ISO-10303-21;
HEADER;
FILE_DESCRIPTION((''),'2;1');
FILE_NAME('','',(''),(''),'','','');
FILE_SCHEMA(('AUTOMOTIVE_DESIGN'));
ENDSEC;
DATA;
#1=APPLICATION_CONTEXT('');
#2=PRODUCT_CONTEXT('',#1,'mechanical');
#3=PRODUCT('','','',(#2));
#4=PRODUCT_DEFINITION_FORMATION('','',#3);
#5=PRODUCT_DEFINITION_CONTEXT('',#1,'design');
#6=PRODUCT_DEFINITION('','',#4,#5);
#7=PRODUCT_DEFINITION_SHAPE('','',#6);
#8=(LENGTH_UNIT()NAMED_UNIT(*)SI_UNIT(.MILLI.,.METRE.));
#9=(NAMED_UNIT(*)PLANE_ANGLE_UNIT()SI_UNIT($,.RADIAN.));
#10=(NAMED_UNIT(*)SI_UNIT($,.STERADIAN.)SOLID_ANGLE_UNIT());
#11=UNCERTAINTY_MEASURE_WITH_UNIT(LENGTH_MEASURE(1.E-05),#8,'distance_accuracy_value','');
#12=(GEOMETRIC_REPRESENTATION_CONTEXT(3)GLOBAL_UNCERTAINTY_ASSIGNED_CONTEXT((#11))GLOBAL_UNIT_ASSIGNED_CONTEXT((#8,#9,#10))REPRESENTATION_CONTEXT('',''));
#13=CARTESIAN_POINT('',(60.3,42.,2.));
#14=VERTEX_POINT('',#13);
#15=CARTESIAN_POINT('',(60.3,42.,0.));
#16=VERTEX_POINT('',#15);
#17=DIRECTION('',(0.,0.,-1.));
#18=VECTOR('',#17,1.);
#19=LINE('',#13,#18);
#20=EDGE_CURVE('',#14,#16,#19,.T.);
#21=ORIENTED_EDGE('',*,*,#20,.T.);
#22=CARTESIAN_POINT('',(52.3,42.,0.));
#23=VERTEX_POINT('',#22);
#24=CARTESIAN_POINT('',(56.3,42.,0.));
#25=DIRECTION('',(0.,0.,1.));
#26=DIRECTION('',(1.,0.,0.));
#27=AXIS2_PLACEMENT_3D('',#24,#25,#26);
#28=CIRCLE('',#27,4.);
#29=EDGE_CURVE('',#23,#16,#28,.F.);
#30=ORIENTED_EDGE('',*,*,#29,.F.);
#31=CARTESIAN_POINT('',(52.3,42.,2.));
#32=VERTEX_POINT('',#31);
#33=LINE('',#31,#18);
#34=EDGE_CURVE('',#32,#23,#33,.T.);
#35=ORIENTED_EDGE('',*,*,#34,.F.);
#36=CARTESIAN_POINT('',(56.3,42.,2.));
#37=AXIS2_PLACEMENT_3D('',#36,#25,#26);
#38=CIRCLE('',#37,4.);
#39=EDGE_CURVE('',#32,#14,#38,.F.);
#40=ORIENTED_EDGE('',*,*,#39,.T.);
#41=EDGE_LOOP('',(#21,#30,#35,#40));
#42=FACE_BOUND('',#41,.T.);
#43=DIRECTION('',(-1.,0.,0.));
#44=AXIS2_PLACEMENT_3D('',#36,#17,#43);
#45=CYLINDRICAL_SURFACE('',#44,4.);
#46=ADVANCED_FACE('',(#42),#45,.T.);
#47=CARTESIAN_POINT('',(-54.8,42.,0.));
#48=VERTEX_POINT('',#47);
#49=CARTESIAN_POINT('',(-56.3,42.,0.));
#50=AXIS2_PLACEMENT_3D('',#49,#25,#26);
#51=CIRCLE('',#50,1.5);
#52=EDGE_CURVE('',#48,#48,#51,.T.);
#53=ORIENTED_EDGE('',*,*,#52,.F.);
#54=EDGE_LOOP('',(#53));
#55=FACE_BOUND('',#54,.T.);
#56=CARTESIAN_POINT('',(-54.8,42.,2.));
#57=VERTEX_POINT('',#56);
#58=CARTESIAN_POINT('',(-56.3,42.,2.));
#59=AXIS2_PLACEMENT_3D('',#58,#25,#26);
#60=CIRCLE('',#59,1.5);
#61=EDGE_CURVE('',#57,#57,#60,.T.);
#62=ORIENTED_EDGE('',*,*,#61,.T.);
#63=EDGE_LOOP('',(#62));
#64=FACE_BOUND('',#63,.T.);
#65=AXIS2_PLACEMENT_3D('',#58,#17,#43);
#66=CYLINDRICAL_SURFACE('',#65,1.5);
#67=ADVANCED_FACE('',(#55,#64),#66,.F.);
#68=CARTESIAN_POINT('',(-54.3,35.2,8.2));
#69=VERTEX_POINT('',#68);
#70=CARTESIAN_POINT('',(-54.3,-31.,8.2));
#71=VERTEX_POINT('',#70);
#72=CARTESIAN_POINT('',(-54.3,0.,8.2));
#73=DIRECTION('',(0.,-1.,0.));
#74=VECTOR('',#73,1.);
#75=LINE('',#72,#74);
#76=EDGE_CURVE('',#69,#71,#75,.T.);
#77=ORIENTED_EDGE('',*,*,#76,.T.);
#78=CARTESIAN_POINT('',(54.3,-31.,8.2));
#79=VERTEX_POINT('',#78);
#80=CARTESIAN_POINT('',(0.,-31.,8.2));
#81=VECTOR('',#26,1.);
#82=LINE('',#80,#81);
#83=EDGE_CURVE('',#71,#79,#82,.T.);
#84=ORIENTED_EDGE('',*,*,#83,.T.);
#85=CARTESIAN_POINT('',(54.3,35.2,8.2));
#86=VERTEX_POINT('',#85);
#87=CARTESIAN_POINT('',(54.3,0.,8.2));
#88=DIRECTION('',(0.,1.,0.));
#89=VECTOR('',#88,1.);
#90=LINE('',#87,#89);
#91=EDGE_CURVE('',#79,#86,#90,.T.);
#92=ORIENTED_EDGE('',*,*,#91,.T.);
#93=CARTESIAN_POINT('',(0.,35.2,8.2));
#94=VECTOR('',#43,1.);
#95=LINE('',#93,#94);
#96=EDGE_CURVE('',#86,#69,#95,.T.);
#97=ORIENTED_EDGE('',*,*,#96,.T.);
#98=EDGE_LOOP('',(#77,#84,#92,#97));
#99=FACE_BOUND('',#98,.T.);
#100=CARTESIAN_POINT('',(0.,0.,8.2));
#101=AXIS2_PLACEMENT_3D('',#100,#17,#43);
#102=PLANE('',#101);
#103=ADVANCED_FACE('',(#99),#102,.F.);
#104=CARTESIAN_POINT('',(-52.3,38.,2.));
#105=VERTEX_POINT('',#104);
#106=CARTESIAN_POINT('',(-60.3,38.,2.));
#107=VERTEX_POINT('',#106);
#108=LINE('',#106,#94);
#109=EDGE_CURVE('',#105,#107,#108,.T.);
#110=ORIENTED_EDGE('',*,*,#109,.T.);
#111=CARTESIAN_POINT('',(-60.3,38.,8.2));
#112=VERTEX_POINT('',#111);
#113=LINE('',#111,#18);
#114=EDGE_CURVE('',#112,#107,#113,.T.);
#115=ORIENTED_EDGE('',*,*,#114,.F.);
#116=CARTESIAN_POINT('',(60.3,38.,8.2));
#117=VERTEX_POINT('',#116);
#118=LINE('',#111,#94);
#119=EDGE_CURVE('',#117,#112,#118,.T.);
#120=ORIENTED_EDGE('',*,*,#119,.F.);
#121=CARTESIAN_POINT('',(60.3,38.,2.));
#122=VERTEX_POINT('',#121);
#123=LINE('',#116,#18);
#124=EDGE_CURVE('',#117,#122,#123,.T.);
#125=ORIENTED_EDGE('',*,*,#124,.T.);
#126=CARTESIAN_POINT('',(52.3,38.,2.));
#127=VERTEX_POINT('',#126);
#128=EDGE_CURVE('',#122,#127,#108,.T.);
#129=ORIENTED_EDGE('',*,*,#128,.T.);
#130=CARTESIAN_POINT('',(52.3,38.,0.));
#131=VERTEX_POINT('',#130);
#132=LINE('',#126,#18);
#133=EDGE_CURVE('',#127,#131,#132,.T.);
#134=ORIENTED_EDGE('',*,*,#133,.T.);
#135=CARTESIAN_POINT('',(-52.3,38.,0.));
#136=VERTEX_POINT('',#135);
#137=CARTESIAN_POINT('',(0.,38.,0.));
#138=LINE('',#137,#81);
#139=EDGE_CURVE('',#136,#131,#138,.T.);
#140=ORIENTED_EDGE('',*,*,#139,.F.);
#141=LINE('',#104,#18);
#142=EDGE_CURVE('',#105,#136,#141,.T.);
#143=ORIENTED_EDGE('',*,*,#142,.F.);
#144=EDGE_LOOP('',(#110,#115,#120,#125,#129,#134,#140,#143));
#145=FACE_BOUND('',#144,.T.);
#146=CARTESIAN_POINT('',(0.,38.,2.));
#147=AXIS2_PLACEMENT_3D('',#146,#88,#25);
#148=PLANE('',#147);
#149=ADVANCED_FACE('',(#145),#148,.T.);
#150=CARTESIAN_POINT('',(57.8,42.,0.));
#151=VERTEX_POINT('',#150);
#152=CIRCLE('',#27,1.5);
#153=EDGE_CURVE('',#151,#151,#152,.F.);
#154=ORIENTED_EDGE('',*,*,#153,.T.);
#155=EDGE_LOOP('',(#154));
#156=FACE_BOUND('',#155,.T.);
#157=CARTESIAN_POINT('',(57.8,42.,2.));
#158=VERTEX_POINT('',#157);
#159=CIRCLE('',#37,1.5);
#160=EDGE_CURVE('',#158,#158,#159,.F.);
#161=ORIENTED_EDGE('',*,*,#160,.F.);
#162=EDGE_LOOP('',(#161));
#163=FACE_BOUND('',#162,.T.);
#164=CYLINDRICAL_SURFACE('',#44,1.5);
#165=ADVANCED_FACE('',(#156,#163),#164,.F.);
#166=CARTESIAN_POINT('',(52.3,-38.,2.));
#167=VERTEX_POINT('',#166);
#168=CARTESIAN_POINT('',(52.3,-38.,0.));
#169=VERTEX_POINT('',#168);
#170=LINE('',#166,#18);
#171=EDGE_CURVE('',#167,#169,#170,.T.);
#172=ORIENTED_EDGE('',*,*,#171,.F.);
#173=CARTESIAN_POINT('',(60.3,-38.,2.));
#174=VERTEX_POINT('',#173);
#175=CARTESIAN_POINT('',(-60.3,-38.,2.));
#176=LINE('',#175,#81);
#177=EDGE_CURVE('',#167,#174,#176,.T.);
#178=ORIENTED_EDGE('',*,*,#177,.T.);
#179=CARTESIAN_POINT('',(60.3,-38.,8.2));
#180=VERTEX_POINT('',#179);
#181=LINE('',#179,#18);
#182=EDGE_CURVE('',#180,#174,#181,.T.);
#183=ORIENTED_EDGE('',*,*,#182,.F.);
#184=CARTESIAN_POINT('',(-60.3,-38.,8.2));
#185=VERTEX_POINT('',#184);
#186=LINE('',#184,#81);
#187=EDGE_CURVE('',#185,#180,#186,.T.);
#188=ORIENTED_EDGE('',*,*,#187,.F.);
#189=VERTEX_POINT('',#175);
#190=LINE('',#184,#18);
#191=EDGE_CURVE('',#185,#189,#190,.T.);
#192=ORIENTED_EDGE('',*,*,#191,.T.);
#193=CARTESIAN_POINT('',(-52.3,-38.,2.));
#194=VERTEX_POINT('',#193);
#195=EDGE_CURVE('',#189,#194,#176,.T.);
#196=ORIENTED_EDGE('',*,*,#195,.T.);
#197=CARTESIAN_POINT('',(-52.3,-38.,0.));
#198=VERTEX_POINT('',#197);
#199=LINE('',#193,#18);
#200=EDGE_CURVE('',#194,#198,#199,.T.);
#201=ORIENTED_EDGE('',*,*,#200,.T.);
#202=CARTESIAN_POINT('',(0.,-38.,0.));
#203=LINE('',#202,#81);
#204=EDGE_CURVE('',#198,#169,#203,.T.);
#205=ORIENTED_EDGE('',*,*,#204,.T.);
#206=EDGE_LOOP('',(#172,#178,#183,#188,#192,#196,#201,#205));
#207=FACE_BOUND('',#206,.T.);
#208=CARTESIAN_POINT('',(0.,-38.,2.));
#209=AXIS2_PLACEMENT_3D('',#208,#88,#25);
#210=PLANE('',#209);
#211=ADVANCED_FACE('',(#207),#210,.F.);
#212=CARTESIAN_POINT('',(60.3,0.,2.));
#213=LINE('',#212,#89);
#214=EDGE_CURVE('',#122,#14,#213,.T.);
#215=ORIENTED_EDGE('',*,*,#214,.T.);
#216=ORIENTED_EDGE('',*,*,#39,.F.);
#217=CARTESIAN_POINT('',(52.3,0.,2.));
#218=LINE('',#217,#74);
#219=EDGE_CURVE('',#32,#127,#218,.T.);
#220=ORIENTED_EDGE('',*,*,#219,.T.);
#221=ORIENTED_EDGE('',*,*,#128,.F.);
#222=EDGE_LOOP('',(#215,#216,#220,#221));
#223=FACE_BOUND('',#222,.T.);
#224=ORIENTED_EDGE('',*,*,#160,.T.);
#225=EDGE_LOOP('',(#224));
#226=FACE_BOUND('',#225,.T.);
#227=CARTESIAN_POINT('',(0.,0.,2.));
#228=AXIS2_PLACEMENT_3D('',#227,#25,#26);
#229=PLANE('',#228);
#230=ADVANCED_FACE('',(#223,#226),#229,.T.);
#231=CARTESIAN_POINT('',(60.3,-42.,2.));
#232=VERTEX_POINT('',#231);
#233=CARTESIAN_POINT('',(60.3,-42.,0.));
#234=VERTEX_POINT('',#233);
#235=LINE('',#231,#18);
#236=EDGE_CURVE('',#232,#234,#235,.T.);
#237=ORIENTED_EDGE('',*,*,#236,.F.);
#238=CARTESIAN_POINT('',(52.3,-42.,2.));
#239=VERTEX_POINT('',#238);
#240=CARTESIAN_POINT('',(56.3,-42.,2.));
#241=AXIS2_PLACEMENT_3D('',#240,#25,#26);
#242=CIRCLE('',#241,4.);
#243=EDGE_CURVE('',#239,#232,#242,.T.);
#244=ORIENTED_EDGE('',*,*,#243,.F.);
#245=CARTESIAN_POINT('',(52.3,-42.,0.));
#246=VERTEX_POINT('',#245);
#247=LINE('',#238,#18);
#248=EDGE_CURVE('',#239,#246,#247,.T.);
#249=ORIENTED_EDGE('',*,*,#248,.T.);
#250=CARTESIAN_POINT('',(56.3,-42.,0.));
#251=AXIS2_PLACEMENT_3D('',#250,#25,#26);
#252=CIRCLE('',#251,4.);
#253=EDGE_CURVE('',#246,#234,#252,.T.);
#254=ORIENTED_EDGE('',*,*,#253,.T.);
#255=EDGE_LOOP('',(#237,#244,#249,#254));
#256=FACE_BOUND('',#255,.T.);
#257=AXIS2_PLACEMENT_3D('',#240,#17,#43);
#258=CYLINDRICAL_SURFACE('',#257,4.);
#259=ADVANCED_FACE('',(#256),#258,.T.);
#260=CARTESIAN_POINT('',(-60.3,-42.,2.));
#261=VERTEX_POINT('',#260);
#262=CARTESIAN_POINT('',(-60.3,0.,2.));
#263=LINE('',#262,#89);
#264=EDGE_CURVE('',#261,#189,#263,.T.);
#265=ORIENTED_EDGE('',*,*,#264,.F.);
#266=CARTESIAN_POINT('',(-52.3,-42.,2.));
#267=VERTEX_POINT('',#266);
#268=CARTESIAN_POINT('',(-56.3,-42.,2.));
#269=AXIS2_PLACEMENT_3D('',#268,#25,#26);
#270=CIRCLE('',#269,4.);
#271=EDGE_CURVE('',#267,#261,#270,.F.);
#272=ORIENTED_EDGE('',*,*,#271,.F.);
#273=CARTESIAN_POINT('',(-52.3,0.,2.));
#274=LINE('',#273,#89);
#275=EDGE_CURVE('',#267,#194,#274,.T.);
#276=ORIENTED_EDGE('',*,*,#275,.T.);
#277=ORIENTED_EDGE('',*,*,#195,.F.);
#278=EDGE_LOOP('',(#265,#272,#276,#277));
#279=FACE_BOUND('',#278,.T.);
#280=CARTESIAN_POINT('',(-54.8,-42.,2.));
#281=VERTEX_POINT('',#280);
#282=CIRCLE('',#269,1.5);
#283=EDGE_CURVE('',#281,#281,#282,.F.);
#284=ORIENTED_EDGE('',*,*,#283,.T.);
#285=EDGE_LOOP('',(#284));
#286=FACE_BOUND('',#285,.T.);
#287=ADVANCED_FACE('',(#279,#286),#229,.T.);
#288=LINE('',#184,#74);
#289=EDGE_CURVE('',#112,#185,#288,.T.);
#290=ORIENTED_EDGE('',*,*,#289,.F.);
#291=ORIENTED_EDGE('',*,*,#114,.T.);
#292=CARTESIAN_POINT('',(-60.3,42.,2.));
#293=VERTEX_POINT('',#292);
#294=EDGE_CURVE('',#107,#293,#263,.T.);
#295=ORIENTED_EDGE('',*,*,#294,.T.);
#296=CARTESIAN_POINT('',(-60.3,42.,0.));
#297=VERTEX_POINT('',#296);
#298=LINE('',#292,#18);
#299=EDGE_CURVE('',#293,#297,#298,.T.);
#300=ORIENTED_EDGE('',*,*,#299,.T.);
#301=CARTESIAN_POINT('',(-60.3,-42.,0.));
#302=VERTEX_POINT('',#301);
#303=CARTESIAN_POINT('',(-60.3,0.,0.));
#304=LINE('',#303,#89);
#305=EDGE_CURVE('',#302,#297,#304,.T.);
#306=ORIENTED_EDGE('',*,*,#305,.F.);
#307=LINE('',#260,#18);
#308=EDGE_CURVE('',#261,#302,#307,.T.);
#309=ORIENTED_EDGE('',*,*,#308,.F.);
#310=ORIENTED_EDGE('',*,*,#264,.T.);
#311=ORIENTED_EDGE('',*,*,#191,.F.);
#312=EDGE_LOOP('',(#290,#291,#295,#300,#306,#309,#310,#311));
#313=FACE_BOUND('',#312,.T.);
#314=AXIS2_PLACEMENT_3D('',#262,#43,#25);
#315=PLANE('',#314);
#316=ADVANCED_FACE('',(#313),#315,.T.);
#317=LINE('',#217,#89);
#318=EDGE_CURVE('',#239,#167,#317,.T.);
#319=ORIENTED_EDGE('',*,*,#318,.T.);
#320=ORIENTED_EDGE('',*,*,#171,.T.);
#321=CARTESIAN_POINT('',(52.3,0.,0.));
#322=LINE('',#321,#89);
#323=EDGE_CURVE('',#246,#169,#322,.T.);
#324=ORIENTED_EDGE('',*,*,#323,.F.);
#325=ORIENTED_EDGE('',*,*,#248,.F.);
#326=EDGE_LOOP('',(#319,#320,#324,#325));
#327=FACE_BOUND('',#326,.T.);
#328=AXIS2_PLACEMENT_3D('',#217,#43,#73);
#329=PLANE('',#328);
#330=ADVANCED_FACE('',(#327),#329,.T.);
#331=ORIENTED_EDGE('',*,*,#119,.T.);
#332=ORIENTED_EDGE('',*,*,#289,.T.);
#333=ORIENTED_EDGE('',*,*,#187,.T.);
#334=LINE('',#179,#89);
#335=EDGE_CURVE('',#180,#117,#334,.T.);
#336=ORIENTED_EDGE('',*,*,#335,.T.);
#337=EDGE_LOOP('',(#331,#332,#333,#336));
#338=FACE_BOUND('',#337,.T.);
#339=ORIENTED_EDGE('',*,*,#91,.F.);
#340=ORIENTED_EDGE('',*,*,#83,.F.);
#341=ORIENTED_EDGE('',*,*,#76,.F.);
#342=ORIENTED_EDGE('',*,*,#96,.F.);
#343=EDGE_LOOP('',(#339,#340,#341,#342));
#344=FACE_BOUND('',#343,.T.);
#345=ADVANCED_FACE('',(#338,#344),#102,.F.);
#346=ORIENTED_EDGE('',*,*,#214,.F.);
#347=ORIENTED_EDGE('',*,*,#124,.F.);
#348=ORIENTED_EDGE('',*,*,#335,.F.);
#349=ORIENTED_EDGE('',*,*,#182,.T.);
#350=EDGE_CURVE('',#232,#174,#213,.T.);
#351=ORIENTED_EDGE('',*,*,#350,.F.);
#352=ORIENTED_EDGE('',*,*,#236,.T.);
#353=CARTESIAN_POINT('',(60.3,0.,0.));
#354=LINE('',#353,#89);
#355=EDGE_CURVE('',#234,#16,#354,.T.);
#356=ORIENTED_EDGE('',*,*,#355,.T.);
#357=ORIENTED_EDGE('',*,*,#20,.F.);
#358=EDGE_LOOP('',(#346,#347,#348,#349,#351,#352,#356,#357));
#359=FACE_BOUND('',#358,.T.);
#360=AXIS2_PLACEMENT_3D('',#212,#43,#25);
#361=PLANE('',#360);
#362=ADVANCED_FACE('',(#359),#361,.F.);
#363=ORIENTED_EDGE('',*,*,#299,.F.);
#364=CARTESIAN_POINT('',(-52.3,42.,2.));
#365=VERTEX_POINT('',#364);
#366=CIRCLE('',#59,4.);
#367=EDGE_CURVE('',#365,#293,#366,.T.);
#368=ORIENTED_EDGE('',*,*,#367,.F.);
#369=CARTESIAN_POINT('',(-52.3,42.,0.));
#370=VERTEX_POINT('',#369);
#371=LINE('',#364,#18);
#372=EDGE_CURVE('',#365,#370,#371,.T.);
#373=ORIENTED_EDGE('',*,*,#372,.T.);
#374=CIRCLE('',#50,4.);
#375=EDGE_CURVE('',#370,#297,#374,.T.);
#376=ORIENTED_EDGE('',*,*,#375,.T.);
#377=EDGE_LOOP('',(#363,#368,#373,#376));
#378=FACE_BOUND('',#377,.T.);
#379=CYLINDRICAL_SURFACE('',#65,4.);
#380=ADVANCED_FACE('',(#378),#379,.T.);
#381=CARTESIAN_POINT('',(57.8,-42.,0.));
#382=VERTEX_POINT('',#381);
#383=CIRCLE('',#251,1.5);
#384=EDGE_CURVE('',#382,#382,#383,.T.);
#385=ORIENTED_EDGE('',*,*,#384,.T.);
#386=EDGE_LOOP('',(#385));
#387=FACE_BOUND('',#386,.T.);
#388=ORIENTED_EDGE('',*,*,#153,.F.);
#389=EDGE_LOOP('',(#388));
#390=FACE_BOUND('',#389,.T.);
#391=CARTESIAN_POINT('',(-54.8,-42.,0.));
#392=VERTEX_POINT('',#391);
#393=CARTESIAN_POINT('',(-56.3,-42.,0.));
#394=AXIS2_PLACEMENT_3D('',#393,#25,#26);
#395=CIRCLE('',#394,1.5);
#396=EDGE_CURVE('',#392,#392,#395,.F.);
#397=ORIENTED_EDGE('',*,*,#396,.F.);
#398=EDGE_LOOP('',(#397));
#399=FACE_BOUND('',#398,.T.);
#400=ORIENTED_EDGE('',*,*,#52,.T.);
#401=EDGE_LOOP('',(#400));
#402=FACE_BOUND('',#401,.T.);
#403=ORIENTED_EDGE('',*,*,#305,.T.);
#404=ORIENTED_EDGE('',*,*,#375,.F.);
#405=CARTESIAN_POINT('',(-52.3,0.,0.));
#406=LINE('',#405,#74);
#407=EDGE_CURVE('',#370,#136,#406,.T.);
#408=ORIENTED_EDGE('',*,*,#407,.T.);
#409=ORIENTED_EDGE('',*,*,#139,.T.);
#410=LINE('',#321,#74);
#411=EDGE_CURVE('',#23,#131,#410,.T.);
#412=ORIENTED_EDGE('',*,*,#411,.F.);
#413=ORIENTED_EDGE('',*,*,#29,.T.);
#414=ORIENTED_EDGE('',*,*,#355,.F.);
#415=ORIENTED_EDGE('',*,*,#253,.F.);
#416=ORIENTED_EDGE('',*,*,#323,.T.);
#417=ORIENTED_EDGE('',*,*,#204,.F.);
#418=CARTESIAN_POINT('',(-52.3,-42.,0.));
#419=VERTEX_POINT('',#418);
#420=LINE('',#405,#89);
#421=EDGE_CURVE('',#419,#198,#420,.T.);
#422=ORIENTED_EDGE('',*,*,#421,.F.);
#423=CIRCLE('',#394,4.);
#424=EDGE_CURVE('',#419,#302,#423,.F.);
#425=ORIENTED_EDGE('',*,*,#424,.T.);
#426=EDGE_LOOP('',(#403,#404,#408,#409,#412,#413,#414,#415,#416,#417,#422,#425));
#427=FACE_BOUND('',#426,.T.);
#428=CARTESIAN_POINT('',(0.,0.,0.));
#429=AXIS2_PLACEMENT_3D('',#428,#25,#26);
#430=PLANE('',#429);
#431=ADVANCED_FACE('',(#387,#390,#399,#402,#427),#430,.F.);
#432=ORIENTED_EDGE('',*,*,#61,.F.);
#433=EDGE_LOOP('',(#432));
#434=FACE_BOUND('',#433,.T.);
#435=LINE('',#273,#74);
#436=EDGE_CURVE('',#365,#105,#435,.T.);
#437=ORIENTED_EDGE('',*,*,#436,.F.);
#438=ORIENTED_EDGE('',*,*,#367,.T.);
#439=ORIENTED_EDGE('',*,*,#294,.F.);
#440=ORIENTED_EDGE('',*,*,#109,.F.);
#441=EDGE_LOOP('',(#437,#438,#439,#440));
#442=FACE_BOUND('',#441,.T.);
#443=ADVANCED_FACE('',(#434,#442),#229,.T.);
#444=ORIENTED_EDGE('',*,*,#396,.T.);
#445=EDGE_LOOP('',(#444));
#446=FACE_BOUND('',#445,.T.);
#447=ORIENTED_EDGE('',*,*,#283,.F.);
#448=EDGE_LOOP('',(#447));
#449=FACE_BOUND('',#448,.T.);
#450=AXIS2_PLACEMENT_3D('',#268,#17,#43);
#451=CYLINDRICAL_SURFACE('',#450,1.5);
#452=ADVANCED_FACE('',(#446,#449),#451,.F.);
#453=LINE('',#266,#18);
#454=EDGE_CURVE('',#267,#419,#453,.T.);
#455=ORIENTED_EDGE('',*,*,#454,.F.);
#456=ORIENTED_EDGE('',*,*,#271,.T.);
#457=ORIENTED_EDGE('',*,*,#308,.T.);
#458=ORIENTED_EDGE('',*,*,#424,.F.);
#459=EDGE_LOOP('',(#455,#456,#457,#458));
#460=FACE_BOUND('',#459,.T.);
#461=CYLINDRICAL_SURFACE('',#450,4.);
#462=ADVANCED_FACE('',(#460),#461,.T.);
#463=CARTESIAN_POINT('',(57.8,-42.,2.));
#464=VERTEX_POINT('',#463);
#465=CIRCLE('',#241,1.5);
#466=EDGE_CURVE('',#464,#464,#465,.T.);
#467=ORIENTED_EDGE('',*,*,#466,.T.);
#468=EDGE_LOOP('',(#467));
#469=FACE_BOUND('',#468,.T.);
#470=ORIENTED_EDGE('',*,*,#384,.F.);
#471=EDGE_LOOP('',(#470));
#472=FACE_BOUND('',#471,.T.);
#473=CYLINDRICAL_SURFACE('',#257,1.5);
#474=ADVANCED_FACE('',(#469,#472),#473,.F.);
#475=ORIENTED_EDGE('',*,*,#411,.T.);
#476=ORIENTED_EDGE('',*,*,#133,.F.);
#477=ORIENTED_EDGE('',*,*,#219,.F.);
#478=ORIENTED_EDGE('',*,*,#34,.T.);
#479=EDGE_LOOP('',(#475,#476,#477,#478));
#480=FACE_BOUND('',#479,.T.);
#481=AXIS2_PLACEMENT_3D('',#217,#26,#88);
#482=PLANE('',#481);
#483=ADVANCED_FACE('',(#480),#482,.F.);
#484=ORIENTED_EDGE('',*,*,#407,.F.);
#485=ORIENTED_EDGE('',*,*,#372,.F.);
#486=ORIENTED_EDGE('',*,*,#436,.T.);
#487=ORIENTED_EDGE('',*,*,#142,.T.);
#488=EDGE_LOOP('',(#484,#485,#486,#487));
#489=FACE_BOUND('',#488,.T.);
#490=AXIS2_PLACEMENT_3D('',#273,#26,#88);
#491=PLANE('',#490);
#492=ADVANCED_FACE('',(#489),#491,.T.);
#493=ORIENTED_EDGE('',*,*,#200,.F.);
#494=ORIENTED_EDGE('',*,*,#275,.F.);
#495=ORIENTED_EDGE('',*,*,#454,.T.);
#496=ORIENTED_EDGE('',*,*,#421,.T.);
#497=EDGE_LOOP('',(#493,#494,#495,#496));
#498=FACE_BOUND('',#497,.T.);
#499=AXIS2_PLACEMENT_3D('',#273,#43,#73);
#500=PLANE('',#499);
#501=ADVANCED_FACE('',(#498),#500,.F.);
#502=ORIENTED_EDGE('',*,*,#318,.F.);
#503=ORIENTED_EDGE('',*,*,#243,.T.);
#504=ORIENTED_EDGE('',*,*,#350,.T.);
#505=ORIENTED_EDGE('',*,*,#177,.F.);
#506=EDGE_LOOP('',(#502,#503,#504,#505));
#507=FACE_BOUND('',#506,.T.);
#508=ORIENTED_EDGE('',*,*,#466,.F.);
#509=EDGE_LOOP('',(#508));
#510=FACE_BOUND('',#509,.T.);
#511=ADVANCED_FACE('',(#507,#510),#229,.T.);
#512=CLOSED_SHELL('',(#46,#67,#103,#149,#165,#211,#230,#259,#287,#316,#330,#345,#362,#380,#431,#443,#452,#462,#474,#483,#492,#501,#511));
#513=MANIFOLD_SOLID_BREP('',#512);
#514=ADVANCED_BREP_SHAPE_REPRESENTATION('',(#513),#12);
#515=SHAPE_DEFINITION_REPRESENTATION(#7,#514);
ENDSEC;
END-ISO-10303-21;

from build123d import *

# Parameters (mm, degrees)
SKETCH1_R           = 4
SKETCH1_R_2         = 1.5
SKETCH1_W           = 120.6
SKETCH1_H           = 76
BOSS_EXTRUDE1_DEPTH = 2
SKETCH4_W           = 120.6
SKETCH4_H           = 76
BOSS_EXTRUDE3_DEPTH = 6.2


with BuildPart() as part:
    # Sketch1 → Boss-Extrude1 (new body)
    # profile 1 of 13: a face of its own
    with BuildSketch(Plane.XY):
        with Locations((-56.3, 42)):
            Circle(SKETCH1_R)
        with Locations((-56.3, 42)):
            Circle(SKETCH1_R_2, mode=Mode.SUBTRACT)
    # profile 2 of 13: a face of its own
    with BuildSketch(Plane.XY):
        with BuildLine():
            Line((-60.3, 42), (-60.3, 38))
            Line((-60.3, 38), (-56.3, 38))
            ThreePointArc((-56.3, 38), (-59.128427125, 39.171572875), (-60.3, 42))
        make_face()
    # profile 3 of 13: a face of its own
    with BuildSketch(Plane.XY):
        with BuildLine():
            ThreePointArc((-52.3, 42), (-53.471572875, 39.171572875), (-56.3, 38))
            Line((-56.3, 38), (-52.3, 38))
            Line((-52.3, 38), (-52.3, 42))
        make_face()
    # profile 4 of 13: a face of its own
    with BuildSketch(Plane.XY):
        Rectangle(SKETCH1_W, SKETCH1_H)
    # profile 5 of 13: a face of its own
    with BuildSketch(Plane.XY):
        with BuildLine():
            ThreePointArc((60.3, 42), (59.128427107, 39.171572857), (56.299999949, 38))
            Line((56.299999949, 38), (60.3, 38))
            Line((60.3, 38), (60.3, 42))
        make_face()
    # profile 6 of 13: a face of its own
    with BuildSketch(Plane.XY):
        with Locations((56.3, 42)):
            Circle(SKETCH1_R)
        with Locations((56.3, 42)):
            Circle(SKETCH1_R_2, mode=Mode.SUBTRACT)
    # profile 7 of 13: a face of its own
    with BuildSketch(Plane.XY):
        with BuildLine():
            Line((52.3, 42), (52.3, 38))
            Line((52.3, 38), (56.299999949, 38))
            ThreePointArc((56.299999949, 38), (53.471572857, 39.171572893), (52.3, 42))
        make_face()
    # profile 8 of 13: a face of its own
    with BuildSketch(Plane.XY):
        with BuildLine():
            Line((-52.3, -38), (-56.3, -38))
            ThreePointArc((-56.3, -38), (-53.471572875, -39.171572875), (-52.3, -42))
            Line((-52.3, -42), (-52.3, -38))
        make_face()
    # profile 9 of 13: a face of its own
    with BuildSketch(Plane.XY):
        with BuildLine():
            Line((-56.3, -38), (-60.3, -38))
            Line((-60.3, -38), (-60.3, -42))
            ThreePointArc((-60.3, -42), (-59.128427125, -39.171572875), (-56.3, -38))
        make_face()
    # profile 10 of 13: a face of its own
    with BuildSketch(Plane.XY):
        with Locations((-56.3, -42)):
            Circle(SKETCH1_R)
        with Locations((-56.3, -42)):
            Circle(SKETCH1_R_2, mode=Mode.SUBTRACT)
    # profile 11 of 13: a face of its own
    with BuildSketch(Plane.XY):
        with BuildLine():
            Line((56.3, -38), (52.3, -38))
            Line((52.3, -38), (52.3, -42))
            ThreePointArc((52.3, -42), (53.471572875, -39.171572875), (56.3, -38))
        make_face()
    # profile 12 of 13: a face of its own
    with BuildSketch(Plane.XY):
        with Locations((56.3, -42)):
            Circle(SKETCH1_R)
        with Locations((56.3, -42)):
            Circle(SKETCH1_R_2, mode=Mode.SUBTRACT)
    # profile 13 of 13: a face of its own
    with BuildSketch(Plane.XY):
        with BuildLine():
            Line((60.3, -38), (56.3, -38))
            ThreePointArc((56.3, -38), (59.128427125, -39.171572875), (60.3, -42))
            Line((60.3, -42), (60.3, -38))
        make_face()
    extrude(amount=BOSS_EXTRUDE1_DEPTH)

    # Sketch4 → Boss-Extrude3 (add)
    with BuildSketch(Plane.XY.offset(2)):
        Rectangle(SKETCH4_W, SKETCH4_H)
    extrude(amount=BOSS_EXTRUDE3_DEPTH)


solid = part.part
